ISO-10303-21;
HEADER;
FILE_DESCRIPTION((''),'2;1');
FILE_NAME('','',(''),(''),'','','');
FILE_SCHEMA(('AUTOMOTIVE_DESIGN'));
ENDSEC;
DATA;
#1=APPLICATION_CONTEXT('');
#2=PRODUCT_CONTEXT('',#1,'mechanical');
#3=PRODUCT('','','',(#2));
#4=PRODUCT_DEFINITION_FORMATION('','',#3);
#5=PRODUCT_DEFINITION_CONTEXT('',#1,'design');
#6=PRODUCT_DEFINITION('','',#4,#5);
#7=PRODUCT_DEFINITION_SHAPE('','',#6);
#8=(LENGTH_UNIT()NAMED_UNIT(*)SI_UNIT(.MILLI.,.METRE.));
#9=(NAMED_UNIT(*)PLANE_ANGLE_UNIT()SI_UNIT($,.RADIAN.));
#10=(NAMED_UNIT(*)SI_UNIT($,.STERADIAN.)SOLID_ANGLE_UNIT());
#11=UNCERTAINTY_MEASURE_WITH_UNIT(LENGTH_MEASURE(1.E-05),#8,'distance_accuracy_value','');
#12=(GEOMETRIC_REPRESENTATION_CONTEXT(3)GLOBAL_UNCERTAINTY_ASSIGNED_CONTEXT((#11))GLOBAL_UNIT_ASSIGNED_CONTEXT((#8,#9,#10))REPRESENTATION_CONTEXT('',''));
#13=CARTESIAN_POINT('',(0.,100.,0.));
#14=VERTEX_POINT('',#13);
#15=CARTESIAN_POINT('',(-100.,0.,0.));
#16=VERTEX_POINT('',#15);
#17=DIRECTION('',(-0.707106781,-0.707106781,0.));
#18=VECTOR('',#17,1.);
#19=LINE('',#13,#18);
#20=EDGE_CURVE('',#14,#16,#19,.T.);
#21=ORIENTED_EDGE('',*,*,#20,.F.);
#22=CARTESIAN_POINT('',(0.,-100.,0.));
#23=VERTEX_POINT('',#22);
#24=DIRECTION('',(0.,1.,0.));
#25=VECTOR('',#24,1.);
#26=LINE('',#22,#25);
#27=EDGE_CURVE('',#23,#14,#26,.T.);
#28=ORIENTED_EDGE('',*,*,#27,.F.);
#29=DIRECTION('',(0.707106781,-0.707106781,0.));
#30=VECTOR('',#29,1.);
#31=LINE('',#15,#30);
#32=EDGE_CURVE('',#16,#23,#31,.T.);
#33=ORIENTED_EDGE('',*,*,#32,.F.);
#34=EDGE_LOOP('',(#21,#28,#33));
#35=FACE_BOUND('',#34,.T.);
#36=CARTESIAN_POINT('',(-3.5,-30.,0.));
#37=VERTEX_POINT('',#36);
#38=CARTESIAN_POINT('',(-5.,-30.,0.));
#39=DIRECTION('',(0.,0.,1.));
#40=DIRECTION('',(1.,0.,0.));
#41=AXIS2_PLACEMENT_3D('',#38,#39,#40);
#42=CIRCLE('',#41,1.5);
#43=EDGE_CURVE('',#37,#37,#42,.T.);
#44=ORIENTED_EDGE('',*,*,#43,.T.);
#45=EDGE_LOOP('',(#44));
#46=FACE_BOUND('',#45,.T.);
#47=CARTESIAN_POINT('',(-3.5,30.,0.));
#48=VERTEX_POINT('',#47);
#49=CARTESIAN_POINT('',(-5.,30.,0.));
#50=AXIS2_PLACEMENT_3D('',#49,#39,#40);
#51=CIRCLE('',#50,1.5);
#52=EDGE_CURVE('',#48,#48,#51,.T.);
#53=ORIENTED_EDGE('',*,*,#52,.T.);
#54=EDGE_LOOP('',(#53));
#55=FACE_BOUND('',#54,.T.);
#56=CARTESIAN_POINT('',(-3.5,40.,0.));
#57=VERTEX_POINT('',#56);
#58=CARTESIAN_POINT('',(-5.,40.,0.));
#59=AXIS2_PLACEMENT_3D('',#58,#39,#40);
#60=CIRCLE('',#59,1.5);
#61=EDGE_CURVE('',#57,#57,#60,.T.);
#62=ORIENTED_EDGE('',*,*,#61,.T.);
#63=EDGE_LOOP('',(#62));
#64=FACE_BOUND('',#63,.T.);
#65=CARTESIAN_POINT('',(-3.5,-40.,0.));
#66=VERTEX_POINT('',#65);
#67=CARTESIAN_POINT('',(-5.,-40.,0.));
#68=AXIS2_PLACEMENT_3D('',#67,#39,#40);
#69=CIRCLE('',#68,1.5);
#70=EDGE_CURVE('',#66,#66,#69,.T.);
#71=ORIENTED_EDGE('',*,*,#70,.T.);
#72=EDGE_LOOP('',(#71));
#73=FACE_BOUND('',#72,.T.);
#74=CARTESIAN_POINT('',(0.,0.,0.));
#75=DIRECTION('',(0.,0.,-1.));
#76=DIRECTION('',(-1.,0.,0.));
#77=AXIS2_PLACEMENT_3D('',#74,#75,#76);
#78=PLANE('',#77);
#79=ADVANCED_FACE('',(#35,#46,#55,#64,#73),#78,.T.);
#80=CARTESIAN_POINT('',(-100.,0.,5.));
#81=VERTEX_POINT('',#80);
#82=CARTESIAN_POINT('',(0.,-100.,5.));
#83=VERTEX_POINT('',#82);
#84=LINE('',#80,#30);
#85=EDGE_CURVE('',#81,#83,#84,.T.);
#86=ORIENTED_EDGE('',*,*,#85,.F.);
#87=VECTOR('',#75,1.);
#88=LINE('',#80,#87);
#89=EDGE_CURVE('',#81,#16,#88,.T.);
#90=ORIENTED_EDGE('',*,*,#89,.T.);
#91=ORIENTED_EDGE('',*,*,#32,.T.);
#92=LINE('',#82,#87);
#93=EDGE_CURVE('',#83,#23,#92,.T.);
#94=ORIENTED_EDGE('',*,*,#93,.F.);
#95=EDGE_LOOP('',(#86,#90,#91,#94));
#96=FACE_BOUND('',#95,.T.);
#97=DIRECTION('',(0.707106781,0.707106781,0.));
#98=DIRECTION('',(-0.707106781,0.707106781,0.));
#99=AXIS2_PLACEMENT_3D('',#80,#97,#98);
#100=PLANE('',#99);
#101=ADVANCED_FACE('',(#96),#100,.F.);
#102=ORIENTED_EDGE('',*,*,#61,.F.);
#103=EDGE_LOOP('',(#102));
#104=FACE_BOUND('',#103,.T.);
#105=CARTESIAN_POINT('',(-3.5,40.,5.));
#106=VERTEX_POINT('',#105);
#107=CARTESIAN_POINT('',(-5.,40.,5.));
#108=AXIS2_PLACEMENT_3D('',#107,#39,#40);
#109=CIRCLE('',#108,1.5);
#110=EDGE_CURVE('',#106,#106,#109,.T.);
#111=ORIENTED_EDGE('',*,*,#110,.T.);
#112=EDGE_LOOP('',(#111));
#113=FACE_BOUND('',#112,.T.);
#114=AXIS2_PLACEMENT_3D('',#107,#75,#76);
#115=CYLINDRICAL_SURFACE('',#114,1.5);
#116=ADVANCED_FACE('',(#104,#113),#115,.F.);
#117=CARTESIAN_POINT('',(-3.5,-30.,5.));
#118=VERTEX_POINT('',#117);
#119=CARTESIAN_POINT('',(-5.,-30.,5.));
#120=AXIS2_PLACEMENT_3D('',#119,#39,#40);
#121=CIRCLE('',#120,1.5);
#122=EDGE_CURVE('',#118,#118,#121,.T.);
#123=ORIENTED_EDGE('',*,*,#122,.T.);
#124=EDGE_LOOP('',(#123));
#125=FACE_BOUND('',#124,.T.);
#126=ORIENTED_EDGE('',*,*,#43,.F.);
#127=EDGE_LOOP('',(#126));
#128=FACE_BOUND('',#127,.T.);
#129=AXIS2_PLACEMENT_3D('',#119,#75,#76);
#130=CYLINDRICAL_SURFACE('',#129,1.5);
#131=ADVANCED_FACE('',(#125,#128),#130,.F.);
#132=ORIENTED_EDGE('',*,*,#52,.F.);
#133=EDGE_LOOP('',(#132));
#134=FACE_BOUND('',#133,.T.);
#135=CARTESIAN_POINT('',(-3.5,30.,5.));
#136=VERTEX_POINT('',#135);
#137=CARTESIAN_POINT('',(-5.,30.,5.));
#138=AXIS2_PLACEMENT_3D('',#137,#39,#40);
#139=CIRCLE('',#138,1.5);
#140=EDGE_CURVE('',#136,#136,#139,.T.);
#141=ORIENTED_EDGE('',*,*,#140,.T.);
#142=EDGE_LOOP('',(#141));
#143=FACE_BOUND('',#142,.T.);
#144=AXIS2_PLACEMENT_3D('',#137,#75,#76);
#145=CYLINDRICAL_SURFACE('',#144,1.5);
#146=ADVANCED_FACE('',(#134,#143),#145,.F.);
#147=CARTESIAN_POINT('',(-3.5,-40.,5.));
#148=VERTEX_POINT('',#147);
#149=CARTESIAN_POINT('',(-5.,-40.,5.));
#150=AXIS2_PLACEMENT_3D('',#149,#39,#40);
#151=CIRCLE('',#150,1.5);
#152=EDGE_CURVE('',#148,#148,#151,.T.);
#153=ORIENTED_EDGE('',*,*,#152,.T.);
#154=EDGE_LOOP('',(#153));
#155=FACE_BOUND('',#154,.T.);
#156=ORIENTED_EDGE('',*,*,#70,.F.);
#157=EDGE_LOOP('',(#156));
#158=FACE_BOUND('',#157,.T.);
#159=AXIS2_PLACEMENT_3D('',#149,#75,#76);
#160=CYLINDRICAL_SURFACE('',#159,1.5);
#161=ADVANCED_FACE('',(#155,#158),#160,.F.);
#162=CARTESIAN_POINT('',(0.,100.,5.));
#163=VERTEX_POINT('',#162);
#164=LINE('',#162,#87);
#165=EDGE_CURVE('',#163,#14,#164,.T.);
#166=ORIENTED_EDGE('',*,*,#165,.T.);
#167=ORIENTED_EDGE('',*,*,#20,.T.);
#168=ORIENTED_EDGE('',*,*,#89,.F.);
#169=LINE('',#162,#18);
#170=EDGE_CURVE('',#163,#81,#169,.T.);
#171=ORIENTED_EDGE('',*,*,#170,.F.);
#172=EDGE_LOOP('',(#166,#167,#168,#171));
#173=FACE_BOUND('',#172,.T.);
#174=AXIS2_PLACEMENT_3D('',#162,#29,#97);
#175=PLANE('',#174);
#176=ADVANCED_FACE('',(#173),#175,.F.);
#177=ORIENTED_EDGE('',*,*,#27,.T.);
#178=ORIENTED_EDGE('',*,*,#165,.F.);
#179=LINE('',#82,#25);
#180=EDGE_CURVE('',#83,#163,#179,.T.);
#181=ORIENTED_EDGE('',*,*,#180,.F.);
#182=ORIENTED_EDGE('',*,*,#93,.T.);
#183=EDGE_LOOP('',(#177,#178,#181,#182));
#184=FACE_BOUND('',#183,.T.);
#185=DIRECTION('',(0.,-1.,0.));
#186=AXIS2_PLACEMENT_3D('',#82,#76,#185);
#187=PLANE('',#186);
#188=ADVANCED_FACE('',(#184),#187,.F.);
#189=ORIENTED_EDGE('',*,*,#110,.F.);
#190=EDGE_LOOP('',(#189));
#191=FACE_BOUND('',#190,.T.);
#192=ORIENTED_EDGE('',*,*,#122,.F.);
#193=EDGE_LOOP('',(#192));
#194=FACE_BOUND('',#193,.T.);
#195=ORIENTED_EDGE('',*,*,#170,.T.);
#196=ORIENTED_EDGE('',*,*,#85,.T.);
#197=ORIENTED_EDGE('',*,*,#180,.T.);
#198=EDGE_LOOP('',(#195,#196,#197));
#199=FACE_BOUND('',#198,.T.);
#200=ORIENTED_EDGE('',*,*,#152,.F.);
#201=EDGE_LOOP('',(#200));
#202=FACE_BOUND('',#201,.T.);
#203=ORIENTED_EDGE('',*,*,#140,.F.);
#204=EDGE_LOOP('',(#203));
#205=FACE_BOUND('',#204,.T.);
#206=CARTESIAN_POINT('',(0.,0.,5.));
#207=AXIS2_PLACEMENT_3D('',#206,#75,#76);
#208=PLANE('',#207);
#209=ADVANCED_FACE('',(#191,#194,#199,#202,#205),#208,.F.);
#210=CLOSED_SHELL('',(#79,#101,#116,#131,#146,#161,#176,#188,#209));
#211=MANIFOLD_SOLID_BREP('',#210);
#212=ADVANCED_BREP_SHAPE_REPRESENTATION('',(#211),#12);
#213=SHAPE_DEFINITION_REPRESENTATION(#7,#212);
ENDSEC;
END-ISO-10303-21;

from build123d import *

# Parameters (mm, degrees)
SKETCH2_R           = 1.5
BOSS_EXTRUDE1_DEPTH = 5


with BuildPart() as part:
    # Sketch2 → Boss-Extrude1 (new body)
    with BuildSketch(Plane.XY):
        Polygon((0, -100), (0, 100), (-100, 0), align=None)
        with Locations((-5, 40)):
            Circle(SKETCH2_R, mode=Mode.SUBTRACT)
        with Locations((-5, 30)):
            Circle(SKETCH2_R, mode=Mode.SUBTRACT)
        with Locations((-5, -30)):
            Circle(SKETCH2_R, mode=Mode.SUBTRACT)
        with Locations((-5, -40)):
            Circle(SKETCH2_R, mode=Mode.SUBTRACT)
    extrude(amount=BOSS_EXTRUDE1_DEPTH)


solid = part.part
